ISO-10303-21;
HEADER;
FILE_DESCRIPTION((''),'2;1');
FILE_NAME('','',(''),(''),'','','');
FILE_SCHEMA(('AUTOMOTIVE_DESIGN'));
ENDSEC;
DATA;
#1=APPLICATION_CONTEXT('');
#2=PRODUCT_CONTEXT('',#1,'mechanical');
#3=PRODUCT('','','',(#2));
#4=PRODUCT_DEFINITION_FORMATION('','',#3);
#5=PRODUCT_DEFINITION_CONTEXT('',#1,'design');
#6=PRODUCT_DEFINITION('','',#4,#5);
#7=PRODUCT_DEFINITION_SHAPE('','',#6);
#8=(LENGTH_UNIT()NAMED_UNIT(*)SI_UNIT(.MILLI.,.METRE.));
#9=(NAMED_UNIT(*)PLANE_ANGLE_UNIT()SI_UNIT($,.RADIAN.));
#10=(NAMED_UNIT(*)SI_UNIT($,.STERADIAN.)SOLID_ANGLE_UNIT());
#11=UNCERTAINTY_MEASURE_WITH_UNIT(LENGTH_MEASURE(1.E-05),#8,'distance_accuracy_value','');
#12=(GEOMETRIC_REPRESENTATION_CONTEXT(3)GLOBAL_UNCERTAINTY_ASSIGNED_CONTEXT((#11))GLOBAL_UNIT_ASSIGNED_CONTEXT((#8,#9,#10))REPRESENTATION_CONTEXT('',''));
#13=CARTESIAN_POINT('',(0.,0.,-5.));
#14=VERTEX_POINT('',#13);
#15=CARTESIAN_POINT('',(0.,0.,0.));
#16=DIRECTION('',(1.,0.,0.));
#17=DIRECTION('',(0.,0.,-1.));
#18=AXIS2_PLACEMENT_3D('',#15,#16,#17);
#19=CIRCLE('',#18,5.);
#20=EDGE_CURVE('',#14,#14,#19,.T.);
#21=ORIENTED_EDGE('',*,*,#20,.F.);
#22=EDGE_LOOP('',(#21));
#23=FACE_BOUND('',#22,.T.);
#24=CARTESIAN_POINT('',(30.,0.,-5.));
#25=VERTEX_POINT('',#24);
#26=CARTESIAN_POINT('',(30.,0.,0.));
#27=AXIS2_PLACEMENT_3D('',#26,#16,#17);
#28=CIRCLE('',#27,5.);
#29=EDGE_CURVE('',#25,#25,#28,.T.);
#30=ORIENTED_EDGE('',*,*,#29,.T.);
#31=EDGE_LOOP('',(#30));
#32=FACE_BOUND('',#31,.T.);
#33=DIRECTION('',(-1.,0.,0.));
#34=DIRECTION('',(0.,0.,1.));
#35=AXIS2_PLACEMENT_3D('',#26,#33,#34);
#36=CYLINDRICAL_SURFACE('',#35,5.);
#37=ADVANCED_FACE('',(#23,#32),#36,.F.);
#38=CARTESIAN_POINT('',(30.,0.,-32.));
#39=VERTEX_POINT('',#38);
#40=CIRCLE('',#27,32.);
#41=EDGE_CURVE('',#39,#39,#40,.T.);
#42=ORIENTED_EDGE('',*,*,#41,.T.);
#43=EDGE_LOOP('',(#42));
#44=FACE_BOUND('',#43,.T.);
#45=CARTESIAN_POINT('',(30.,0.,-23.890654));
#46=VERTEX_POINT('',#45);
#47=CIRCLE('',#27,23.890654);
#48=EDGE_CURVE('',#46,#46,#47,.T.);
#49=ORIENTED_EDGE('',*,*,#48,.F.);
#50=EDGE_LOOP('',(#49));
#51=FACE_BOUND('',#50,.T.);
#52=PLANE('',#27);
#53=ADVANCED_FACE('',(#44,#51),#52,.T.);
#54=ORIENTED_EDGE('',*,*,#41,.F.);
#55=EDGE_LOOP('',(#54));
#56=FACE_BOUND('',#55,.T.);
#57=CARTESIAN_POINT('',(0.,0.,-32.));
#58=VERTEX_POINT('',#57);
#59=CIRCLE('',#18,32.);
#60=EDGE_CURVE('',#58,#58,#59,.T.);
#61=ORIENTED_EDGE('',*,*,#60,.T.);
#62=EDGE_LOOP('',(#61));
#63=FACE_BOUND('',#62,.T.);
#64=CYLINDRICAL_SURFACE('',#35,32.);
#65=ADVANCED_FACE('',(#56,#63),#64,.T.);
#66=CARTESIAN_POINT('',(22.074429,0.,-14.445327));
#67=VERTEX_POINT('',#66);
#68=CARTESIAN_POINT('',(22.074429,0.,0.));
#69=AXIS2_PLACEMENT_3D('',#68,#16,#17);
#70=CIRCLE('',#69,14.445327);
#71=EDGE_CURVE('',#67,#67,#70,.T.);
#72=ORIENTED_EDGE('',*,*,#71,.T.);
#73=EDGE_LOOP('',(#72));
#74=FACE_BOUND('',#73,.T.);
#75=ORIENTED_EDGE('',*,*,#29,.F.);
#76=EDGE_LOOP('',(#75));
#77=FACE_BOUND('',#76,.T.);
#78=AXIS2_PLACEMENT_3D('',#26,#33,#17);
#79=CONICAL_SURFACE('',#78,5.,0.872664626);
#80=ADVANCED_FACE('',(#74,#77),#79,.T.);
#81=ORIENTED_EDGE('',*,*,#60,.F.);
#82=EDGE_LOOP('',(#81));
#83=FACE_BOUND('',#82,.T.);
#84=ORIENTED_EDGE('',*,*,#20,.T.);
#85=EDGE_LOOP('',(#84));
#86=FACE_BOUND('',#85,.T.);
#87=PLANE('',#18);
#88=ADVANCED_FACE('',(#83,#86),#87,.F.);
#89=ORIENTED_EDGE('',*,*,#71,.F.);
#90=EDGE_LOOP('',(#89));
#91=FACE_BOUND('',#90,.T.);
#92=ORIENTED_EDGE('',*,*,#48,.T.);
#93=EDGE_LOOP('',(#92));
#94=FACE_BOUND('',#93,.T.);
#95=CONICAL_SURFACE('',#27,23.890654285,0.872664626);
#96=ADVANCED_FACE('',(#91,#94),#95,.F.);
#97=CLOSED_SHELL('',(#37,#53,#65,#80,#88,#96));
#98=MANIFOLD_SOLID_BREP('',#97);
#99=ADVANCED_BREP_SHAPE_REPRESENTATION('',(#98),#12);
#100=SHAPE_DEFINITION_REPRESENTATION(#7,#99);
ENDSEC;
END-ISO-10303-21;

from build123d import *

# Parameters (mm, degrees)
SKETCH_1_R          = 32
SKETCH_1_R_2        = 5
EXTRUDE_1_DEPTH     = 30
SKETCH_2_R          = 23.890654285
SKETCH_2_R_2        = 5
CUT_EXTRUDE_1_DEPTH = 10
CUT_EXTRUDE_1_TAPER = 50


with BuildPart() as part:
    # Эскиз1 → Бобышка-Вытянуть1 (new body)
    with BuildSketch(Plane(origin=(0, 0, 0), x_dir=(0, 0, -1), z_dir=(1, 0, 0))):
        Circle(SKETCH_1_R)
        Circle(SKETCH_1_R_2, mode=Mode.SUBTRACT)
    extrude(amount=EXTRUDE_1_DEPTH)

    # Эскиз2 → Вырез-Вытянуть1 (cut)
    with BuildSketch(Plane(origin=(30, 0, 0), x_dir=(0, 0, -1), z_dir=(1, 0, 0))):
        Circle(SKETCH_2_R)
        Circle(SKETCH_2_R_2, mode=Mode.SUBTRACT)
    extrude(amount=-CUT_EXTRUDE_1_DEPTH, taper=CUT_EXTRUDE_1_TAPER, mode=Mode.SUBTRACT)


solid = part.part
